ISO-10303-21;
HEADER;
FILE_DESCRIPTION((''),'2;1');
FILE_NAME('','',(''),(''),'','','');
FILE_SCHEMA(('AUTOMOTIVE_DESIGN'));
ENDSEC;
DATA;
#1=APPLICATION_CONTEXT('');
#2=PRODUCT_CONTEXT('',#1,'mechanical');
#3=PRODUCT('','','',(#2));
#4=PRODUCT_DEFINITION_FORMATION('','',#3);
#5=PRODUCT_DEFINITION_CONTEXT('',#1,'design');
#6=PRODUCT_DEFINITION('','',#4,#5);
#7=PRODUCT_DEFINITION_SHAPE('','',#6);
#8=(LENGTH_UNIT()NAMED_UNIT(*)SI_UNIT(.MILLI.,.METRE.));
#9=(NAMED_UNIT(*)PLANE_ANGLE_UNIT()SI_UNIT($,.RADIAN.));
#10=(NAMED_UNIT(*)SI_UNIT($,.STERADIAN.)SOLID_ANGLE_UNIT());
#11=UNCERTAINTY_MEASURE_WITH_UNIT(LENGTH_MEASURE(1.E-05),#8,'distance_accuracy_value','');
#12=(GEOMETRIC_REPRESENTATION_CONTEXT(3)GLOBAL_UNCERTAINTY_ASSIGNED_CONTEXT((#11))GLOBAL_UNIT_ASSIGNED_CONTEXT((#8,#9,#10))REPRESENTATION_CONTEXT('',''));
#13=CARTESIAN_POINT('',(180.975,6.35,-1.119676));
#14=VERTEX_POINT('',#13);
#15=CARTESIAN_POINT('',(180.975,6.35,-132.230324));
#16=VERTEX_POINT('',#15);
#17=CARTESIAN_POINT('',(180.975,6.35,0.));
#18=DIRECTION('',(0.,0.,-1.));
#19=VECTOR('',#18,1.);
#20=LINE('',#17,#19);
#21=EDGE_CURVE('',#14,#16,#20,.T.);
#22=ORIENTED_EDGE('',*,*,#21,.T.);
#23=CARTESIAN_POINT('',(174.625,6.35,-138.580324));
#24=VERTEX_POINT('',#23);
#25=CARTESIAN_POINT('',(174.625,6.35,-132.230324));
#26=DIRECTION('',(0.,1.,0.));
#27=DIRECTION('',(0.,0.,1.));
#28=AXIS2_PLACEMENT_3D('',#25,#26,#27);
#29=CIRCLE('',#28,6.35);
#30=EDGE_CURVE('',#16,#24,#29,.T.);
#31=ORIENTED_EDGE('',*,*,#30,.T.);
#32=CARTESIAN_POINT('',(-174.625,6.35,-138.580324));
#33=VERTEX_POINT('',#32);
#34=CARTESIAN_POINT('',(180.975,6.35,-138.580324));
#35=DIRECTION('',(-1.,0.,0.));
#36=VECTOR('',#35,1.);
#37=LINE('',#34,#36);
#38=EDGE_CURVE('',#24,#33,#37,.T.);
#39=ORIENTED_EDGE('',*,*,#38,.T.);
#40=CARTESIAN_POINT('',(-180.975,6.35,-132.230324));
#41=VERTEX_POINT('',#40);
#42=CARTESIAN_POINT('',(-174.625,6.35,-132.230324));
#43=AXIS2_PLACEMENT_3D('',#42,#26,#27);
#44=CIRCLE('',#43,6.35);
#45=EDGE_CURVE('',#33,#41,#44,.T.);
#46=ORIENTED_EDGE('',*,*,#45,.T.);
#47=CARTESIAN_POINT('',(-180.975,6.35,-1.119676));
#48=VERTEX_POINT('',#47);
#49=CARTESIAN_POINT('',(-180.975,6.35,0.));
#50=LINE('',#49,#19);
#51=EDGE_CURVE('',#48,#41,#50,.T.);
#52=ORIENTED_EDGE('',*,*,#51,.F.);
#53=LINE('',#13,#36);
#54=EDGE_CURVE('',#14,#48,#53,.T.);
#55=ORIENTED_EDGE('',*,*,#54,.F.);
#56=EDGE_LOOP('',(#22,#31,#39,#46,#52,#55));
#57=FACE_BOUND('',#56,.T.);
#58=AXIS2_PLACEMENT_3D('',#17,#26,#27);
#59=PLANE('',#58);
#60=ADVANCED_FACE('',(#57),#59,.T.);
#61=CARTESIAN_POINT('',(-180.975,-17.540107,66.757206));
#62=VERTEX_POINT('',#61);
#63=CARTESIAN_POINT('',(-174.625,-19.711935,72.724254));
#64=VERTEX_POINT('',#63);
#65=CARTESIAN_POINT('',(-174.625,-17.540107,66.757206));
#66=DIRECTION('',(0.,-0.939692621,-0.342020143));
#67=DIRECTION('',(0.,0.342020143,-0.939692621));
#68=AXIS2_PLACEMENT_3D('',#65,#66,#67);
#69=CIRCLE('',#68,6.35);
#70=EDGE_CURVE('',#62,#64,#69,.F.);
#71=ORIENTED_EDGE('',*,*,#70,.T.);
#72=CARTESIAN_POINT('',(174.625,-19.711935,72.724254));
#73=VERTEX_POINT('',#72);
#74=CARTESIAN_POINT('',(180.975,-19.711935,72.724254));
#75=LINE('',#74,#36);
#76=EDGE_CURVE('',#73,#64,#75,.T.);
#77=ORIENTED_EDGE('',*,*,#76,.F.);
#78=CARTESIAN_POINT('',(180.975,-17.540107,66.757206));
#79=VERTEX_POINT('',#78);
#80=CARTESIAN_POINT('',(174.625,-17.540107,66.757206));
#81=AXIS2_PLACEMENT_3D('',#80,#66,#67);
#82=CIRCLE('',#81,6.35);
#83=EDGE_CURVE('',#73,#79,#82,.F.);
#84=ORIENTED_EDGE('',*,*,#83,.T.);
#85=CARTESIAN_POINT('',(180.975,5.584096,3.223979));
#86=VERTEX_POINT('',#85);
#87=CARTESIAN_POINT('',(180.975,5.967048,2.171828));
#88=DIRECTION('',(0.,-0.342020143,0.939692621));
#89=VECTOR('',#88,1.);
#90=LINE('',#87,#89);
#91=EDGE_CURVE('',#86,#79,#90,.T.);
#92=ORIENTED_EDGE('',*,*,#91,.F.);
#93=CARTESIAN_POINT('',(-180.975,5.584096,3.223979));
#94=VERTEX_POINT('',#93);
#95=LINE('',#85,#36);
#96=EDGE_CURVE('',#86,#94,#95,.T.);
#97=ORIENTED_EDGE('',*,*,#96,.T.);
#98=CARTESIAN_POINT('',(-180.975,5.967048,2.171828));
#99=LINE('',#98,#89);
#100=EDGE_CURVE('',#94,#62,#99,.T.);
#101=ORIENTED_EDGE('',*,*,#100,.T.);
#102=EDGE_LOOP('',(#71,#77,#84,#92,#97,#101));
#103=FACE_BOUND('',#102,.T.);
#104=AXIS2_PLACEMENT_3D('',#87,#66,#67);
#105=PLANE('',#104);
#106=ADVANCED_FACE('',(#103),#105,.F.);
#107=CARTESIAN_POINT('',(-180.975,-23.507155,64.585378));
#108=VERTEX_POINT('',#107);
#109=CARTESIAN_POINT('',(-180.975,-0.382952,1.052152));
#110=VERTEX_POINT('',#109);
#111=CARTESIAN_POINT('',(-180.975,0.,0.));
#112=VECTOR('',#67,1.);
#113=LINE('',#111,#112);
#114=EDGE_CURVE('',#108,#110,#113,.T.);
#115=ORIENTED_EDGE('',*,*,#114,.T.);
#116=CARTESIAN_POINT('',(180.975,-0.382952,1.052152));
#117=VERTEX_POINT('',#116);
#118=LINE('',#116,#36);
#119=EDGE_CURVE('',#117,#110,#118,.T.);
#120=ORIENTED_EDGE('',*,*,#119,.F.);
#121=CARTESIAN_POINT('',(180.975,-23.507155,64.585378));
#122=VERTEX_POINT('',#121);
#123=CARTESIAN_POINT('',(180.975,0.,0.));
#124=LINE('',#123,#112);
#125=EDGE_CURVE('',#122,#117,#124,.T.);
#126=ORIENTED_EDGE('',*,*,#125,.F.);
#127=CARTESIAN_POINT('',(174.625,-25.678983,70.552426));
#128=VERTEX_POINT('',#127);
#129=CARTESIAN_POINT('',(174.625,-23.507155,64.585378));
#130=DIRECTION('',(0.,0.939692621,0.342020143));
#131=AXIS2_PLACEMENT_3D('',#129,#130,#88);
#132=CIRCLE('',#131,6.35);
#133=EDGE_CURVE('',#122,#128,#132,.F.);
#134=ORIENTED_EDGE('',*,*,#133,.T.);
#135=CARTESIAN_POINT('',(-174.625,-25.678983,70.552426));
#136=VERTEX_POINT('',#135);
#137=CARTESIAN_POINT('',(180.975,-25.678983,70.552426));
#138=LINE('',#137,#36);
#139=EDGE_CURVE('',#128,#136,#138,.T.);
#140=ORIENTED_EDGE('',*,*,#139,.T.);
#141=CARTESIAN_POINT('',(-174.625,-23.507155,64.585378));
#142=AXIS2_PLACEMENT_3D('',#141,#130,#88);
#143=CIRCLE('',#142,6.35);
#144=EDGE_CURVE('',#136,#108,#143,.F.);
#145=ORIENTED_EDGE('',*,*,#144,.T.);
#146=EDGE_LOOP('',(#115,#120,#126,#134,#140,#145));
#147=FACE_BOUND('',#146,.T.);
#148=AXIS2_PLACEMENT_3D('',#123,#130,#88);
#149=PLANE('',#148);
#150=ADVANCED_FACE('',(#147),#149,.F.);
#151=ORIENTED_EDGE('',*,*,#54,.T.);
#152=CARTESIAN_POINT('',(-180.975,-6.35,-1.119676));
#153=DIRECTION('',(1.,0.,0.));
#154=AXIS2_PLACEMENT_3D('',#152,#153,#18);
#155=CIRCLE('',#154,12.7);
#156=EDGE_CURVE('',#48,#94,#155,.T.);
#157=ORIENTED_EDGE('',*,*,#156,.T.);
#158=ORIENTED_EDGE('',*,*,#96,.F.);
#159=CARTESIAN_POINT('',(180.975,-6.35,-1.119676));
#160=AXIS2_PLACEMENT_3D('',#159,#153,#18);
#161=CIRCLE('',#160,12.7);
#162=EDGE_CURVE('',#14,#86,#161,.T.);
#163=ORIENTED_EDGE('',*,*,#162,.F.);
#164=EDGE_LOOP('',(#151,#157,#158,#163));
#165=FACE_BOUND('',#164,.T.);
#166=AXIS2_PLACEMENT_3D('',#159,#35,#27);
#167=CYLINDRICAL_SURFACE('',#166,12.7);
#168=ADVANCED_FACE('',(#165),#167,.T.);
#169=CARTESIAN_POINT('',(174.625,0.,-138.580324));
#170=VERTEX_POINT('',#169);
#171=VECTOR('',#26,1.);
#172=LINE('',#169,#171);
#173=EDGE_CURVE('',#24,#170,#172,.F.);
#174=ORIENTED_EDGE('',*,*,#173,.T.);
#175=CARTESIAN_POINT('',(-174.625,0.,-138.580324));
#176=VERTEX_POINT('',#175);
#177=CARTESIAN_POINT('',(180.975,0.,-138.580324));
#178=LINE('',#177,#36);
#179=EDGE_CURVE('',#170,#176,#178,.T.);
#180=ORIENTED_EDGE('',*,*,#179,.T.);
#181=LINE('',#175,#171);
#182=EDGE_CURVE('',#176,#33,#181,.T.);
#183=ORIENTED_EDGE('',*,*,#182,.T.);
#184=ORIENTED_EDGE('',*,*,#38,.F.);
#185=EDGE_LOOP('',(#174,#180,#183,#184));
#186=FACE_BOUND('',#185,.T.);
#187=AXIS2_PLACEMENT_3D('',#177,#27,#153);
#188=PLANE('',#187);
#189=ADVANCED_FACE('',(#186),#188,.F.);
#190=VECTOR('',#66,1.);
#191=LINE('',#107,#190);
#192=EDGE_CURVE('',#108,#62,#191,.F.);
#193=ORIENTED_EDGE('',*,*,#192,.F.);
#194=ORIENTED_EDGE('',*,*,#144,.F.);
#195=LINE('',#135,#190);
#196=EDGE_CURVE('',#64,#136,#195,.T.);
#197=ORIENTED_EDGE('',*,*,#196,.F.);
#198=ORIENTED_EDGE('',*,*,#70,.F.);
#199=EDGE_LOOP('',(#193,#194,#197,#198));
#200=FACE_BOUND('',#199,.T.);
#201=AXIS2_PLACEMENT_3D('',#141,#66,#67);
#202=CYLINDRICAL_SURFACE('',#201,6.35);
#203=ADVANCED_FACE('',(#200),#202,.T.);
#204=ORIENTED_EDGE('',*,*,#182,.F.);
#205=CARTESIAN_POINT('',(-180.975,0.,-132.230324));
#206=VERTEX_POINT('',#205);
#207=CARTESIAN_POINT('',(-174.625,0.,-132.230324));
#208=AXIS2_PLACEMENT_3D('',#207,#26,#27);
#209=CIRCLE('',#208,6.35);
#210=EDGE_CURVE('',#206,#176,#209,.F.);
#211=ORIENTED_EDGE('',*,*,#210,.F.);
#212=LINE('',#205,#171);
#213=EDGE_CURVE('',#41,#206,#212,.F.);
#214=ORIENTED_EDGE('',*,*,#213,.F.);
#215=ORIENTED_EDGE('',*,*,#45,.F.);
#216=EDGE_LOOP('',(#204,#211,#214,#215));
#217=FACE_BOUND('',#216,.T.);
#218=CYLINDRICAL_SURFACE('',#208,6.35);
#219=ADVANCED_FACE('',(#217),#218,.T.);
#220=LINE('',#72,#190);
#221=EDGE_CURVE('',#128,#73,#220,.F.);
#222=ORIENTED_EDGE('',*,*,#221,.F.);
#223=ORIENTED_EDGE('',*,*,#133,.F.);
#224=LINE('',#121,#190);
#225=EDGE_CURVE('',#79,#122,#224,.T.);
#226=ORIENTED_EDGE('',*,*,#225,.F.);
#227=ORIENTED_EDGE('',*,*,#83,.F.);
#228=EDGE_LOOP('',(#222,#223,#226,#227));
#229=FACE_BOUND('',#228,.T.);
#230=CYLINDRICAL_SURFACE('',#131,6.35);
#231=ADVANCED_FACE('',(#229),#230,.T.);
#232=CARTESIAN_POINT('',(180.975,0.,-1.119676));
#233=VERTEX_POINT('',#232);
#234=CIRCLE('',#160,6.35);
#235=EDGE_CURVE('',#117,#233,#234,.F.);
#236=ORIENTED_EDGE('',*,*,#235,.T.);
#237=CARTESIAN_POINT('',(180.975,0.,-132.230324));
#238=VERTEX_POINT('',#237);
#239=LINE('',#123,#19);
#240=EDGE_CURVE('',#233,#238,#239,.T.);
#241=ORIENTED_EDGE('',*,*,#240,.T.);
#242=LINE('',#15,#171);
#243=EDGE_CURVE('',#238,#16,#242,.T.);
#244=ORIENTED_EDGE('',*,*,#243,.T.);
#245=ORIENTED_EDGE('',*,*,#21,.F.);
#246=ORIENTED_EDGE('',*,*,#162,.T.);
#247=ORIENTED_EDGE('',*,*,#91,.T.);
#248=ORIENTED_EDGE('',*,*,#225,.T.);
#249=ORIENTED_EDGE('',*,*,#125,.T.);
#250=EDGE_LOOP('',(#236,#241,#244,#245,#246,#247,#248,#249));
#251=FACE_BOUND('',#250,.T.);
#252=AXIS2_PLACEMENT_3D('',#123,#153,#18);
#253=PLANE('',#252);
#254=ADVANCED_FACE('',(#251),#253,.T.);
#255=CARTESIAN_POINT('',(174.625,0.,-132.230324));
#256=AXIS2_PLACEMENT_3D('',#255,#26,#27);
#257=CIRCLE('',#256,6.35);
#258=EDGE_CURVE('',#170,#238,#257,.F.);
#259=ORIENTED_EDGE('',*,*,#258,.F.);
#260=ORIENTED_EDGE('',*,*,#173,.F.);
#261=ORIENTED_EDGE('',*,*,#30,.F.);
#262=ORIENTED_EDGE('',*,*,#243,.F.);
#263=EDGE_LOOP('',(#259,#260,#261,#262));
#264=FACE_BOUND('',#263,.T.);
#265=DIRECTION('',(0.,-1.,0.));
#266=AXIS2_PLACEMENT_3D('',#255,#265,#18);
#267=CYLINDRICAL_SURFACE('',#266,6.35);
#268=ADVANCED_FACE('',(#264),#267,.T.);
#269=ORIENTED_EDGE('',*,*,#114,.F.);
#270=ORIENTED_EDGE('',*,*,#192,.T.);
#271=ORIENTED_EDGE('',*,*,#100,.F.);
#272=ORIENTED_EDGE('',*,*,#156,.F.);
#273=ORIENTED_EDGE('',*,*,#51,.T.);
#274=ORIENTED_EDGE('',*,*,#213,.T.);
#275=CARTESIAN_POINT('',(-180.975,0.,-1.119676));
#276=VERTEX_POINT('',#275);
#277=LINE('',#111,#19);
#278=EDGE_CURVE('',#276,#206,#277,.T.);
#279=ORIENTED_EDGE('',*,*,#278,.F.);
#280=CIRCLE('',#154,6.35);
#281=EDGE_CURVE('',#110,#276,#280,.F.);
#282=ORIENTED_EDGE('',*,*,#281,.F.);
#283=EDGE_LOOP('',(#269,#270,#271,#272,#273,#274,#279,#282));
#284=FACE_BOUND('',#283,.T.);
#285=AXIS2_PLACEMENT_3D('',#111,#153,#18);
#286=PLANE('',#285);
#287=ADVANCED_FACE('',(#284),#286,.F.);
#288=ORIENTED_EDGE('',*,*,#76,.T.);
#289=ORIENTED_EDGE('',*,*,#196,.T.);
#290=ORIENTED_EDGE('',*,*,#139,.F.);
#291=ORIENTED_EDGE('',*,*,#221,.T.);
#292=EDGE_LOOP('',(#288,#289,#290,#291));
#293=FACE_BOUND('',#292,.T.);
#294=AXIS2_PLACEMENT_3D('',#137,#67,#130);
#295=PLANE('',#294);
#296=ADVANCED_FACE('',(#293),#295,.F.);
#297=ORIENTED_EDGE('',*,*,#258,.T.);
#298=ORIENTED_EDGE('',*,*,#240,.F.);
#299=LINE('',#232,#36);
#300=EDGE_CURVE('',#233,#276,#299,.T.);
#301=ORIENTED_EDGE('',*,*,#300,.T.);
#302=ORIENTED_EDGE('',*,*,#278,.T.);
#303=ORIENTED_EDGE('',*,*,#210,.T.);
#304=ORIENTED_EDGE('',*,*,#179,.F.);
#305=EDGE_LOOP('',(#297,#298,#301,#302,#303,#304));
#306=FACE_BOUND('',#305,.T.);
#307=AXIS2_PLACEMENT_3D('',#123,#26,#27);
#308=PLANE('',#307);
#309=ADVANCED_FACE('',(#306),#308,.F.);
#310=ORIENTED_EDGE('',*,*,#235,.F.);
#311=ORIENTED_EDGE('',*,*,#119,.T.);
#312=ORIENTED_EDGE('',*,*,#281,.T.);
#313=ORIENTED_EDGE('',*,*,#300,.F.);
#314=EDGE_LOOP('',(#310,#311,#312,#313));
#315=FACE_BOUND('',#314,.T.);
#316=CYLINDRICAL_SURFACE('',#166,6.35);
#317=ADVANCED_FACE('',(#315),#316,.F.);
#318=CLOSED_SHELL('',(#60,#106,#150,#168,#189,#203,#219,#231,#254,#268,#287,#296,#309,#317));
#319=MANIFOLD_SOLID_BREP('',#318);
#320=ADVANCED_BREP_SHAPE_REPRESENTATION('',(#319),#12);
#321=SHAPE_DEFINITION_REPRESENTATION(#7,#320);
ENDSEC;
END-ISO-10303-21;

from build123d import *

# Parameters (mm, degrees)
BOSS_EXTRUDE1_DEPTH = 180.975
FILLET1_R           = 6.35


with BuildPart() as part:
    # Sketch1 → Boss-Extrude1 (new body, symmetric)
    with BuildSketch(Plane(origin=(0, 0, 0), x_dir=(0, 0, -1), z_dir=(1, 0, 0))):
        with BuildLine():
            ThreePointArc((-1.052151583, -0.382951858), (0.017010399, -0.096470768), (1.119676327, 0))
            Line((1.119676327, 0), (138.580323673, 0))
            Line((138.580323673, 0), (138.580323673, 6.35))
            Line((138.580323673, 6.35), (1.119676327, 6.35))
            ThreePointArc((1.119676327, 6.35), (-1.085655529, 6.157058463), (-3.223979493, 5.584096284))
            Line((-3.223979493, 5.584096284), (-72.724254031, -19.711934921))
            Line((-72.724254031, -19.711934921), (-70.552426121, -25.678983063))
            Line((-70.552426121, -25.678983063), (-1.052151583, -0.382951858))
        make_face()
    extrude(amount=BOSS_EXTRUDE1_DEPTH, both=True)

    # Fillet1
    fillet1_edges = [part.edges().sort_by_distance(p)[0] for p in [
        (-180.975, -22.695458992, 71.638340076),
        (180.975, -22.695458992, 71.638340076),
        (180.975, 3.175, -138.580323673),
        (-180.975, 3.175, -138.580323673),
    ]]
    fillet(fillet1_edges, radius=FILLET1_R)


solid = part.part
